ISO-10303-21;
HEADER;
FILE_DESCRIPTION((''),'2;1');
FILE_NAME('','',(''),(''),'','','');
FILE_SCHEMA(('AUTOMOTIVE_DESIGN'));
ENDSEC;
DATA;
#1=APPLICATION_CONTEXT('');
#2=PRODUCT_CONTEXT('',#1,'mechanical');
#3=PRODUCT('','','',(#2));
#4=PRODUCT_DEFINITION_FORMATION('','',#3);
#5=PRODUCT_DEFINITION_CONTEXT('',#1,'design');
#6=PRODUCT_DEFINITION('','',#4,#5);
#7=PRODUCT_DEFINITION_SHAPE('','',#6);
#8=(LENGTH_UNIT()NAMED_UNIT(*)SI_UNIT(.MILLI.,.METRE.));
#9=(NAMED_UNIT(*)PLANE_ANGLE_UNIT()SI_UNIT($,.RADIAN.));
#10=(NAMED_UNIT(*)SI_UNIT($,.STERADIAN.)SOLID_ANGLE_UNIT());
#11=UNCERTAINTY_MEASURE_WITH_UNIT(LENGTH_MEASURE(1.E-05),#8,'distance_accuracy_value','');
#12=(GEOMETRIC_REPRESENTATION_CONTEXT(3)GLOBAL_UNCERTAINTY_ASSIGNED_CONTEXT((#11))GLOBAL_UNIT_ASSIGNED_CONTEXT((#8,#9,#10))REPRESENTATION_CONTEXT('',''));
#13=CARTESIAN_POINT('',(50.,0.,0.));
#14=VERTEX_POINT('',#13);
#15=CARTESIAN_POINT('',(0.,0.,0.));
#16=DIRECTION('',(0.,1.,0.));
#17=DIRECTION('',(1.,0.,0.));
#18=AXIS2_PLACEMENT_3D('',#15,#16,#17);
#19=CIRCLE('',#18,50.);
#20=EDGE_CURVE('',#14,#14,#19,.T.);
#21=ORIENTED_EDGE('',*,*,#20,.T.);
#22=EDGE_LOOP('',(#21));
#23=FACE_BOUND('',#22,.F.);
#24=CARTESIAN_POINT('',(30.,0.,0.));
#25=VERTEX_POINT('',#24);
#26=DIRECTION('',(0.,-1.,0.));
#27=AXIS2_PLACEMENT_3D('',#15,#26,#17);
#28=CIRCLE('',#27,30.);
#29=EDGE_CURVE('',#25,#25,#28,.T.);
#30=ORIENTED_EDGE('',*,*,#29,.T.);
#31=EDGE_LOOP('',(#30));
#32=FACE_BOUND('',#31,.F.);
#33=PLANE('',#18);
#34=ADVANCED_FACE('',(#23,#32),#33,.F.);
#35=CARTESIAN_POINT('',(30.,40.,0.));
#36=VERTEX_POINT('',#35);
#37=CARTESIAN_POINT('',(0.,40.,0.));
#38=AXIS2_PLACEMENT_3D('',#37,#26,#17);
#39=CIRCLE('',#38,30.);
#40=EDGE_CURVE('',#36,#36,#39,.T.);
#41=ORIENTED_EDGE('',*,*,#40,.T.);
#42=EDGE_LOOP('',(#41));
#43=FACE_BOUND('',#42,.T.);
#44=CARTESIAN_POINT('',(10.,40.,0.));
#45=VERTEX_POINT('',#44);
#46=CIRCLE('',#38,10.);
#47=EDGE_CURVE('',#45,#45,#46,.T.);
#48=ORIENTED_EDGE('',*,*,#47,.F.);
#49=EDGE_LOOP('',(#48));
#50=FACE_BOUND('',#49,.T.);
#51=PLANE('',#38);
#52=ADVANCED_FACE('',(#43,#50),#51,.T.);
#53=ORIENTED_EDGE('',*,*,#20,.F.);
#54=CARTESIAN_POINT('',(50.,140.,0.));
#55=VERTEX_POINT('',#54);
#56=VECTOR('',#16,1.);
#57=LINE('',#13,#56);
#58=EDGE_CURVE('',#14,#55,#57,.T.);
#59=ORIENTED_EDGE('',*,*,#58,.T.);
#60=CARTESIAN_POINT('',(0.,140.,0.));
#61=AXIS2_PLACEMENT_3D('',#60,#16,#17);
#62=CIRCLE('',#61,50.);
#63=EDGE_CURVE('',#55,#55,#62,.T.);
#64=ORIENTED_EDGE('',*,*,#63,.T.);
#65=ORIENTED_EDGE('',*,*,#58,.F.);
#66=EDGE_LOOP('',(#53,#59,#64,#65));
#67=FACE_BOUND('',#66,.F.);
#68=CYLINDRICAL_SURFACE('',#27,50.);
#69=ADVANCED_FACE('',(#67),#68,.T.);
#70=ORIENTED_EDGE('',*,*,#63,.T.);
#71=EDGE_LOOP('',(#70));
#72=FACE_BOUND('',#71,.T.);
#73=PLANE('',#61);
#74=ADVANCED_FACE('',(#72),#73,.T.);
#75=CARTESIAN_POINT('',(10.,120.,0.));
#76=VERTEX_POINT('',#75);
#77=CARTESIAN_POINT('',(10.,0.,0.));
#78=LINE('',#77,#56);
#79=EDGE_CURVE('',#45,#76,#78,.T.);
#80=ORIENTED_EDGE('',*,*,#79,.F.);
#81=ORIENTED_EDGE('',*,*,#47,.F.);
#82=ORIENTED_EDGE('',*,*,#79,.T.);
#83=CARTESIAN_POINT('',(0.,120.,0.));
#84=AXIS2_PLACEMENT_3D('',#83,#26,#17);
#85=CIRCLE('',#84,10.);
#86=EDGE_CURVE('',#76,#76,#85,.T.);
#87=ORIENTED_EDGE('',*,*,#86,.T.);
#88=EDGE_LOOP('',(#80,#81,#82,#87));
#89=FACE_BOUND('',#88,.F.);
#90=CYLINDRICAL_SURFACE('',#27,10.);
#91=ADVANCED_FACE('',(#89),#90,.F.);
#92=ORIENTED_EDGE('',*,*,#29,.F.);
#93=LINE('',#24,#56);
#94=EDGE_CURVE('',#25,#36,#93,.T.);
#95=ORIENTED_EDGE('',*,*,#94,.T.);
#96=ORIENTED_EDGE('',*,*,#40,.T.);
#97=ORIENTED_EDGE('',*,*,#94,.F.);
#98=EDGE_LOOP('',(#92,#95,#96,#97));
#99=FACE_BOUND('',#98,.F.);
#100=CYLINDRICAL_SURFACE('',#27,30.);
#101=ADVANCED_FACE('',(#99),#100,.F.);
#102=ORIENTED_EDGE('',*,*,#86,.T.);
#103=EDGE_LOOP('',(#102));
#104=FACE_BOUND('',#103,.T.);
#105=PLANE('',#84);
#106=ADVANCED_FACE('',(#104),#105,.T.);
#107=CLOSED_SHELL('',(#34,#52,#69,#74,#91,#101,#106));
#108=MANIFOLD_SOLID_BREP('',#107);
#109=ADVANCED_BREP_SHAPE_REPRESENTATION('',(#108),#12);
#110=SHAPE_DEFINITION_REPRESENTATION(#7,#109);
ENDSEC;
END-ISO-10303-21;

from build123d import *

# Parameters (mm, degrees)
SKETCH1_R           = 50
BOSS_EXTRUDE1_DEPTH = 140
SKETCH3_R           = 10
CUT_EXTRUDE2_DEPTH  = 120
SKETCH4_R           = 30
CUT_EXTRUDE3_DEPTH  = 40


with BuildPart() as part:
    # Sketch1 → Boss-Extrude1 (new body)
    with BuildSketch(Plane(origin=(0, 0, 0), x_dir=(1, 0, 0), z_dir=(0, 1, 0))):
        Circle(SKETCH1_R)
    extrude(amount=BOSS_EXTRUDE1_DEPTH)

    # Sketch3 → Cut-Extrude2 (cut)
    with BuildSketch(Plane.XZ):
        Circle(SKETCH3_R)
    extrude(amount=-CUT_EXTRUDE2_DEPTH, mode=Mode.SUBTRACT)

    # Sketch4 → Cut-Extrude3 (cut)
    with BuildSketch(Plane.XZ):
        Circle(SKETCH4_R)
    extrude(amount=-CUT_EXTRUDE3_DEPTH, mode=Mode.SUBTRACT)


solid = part.part
